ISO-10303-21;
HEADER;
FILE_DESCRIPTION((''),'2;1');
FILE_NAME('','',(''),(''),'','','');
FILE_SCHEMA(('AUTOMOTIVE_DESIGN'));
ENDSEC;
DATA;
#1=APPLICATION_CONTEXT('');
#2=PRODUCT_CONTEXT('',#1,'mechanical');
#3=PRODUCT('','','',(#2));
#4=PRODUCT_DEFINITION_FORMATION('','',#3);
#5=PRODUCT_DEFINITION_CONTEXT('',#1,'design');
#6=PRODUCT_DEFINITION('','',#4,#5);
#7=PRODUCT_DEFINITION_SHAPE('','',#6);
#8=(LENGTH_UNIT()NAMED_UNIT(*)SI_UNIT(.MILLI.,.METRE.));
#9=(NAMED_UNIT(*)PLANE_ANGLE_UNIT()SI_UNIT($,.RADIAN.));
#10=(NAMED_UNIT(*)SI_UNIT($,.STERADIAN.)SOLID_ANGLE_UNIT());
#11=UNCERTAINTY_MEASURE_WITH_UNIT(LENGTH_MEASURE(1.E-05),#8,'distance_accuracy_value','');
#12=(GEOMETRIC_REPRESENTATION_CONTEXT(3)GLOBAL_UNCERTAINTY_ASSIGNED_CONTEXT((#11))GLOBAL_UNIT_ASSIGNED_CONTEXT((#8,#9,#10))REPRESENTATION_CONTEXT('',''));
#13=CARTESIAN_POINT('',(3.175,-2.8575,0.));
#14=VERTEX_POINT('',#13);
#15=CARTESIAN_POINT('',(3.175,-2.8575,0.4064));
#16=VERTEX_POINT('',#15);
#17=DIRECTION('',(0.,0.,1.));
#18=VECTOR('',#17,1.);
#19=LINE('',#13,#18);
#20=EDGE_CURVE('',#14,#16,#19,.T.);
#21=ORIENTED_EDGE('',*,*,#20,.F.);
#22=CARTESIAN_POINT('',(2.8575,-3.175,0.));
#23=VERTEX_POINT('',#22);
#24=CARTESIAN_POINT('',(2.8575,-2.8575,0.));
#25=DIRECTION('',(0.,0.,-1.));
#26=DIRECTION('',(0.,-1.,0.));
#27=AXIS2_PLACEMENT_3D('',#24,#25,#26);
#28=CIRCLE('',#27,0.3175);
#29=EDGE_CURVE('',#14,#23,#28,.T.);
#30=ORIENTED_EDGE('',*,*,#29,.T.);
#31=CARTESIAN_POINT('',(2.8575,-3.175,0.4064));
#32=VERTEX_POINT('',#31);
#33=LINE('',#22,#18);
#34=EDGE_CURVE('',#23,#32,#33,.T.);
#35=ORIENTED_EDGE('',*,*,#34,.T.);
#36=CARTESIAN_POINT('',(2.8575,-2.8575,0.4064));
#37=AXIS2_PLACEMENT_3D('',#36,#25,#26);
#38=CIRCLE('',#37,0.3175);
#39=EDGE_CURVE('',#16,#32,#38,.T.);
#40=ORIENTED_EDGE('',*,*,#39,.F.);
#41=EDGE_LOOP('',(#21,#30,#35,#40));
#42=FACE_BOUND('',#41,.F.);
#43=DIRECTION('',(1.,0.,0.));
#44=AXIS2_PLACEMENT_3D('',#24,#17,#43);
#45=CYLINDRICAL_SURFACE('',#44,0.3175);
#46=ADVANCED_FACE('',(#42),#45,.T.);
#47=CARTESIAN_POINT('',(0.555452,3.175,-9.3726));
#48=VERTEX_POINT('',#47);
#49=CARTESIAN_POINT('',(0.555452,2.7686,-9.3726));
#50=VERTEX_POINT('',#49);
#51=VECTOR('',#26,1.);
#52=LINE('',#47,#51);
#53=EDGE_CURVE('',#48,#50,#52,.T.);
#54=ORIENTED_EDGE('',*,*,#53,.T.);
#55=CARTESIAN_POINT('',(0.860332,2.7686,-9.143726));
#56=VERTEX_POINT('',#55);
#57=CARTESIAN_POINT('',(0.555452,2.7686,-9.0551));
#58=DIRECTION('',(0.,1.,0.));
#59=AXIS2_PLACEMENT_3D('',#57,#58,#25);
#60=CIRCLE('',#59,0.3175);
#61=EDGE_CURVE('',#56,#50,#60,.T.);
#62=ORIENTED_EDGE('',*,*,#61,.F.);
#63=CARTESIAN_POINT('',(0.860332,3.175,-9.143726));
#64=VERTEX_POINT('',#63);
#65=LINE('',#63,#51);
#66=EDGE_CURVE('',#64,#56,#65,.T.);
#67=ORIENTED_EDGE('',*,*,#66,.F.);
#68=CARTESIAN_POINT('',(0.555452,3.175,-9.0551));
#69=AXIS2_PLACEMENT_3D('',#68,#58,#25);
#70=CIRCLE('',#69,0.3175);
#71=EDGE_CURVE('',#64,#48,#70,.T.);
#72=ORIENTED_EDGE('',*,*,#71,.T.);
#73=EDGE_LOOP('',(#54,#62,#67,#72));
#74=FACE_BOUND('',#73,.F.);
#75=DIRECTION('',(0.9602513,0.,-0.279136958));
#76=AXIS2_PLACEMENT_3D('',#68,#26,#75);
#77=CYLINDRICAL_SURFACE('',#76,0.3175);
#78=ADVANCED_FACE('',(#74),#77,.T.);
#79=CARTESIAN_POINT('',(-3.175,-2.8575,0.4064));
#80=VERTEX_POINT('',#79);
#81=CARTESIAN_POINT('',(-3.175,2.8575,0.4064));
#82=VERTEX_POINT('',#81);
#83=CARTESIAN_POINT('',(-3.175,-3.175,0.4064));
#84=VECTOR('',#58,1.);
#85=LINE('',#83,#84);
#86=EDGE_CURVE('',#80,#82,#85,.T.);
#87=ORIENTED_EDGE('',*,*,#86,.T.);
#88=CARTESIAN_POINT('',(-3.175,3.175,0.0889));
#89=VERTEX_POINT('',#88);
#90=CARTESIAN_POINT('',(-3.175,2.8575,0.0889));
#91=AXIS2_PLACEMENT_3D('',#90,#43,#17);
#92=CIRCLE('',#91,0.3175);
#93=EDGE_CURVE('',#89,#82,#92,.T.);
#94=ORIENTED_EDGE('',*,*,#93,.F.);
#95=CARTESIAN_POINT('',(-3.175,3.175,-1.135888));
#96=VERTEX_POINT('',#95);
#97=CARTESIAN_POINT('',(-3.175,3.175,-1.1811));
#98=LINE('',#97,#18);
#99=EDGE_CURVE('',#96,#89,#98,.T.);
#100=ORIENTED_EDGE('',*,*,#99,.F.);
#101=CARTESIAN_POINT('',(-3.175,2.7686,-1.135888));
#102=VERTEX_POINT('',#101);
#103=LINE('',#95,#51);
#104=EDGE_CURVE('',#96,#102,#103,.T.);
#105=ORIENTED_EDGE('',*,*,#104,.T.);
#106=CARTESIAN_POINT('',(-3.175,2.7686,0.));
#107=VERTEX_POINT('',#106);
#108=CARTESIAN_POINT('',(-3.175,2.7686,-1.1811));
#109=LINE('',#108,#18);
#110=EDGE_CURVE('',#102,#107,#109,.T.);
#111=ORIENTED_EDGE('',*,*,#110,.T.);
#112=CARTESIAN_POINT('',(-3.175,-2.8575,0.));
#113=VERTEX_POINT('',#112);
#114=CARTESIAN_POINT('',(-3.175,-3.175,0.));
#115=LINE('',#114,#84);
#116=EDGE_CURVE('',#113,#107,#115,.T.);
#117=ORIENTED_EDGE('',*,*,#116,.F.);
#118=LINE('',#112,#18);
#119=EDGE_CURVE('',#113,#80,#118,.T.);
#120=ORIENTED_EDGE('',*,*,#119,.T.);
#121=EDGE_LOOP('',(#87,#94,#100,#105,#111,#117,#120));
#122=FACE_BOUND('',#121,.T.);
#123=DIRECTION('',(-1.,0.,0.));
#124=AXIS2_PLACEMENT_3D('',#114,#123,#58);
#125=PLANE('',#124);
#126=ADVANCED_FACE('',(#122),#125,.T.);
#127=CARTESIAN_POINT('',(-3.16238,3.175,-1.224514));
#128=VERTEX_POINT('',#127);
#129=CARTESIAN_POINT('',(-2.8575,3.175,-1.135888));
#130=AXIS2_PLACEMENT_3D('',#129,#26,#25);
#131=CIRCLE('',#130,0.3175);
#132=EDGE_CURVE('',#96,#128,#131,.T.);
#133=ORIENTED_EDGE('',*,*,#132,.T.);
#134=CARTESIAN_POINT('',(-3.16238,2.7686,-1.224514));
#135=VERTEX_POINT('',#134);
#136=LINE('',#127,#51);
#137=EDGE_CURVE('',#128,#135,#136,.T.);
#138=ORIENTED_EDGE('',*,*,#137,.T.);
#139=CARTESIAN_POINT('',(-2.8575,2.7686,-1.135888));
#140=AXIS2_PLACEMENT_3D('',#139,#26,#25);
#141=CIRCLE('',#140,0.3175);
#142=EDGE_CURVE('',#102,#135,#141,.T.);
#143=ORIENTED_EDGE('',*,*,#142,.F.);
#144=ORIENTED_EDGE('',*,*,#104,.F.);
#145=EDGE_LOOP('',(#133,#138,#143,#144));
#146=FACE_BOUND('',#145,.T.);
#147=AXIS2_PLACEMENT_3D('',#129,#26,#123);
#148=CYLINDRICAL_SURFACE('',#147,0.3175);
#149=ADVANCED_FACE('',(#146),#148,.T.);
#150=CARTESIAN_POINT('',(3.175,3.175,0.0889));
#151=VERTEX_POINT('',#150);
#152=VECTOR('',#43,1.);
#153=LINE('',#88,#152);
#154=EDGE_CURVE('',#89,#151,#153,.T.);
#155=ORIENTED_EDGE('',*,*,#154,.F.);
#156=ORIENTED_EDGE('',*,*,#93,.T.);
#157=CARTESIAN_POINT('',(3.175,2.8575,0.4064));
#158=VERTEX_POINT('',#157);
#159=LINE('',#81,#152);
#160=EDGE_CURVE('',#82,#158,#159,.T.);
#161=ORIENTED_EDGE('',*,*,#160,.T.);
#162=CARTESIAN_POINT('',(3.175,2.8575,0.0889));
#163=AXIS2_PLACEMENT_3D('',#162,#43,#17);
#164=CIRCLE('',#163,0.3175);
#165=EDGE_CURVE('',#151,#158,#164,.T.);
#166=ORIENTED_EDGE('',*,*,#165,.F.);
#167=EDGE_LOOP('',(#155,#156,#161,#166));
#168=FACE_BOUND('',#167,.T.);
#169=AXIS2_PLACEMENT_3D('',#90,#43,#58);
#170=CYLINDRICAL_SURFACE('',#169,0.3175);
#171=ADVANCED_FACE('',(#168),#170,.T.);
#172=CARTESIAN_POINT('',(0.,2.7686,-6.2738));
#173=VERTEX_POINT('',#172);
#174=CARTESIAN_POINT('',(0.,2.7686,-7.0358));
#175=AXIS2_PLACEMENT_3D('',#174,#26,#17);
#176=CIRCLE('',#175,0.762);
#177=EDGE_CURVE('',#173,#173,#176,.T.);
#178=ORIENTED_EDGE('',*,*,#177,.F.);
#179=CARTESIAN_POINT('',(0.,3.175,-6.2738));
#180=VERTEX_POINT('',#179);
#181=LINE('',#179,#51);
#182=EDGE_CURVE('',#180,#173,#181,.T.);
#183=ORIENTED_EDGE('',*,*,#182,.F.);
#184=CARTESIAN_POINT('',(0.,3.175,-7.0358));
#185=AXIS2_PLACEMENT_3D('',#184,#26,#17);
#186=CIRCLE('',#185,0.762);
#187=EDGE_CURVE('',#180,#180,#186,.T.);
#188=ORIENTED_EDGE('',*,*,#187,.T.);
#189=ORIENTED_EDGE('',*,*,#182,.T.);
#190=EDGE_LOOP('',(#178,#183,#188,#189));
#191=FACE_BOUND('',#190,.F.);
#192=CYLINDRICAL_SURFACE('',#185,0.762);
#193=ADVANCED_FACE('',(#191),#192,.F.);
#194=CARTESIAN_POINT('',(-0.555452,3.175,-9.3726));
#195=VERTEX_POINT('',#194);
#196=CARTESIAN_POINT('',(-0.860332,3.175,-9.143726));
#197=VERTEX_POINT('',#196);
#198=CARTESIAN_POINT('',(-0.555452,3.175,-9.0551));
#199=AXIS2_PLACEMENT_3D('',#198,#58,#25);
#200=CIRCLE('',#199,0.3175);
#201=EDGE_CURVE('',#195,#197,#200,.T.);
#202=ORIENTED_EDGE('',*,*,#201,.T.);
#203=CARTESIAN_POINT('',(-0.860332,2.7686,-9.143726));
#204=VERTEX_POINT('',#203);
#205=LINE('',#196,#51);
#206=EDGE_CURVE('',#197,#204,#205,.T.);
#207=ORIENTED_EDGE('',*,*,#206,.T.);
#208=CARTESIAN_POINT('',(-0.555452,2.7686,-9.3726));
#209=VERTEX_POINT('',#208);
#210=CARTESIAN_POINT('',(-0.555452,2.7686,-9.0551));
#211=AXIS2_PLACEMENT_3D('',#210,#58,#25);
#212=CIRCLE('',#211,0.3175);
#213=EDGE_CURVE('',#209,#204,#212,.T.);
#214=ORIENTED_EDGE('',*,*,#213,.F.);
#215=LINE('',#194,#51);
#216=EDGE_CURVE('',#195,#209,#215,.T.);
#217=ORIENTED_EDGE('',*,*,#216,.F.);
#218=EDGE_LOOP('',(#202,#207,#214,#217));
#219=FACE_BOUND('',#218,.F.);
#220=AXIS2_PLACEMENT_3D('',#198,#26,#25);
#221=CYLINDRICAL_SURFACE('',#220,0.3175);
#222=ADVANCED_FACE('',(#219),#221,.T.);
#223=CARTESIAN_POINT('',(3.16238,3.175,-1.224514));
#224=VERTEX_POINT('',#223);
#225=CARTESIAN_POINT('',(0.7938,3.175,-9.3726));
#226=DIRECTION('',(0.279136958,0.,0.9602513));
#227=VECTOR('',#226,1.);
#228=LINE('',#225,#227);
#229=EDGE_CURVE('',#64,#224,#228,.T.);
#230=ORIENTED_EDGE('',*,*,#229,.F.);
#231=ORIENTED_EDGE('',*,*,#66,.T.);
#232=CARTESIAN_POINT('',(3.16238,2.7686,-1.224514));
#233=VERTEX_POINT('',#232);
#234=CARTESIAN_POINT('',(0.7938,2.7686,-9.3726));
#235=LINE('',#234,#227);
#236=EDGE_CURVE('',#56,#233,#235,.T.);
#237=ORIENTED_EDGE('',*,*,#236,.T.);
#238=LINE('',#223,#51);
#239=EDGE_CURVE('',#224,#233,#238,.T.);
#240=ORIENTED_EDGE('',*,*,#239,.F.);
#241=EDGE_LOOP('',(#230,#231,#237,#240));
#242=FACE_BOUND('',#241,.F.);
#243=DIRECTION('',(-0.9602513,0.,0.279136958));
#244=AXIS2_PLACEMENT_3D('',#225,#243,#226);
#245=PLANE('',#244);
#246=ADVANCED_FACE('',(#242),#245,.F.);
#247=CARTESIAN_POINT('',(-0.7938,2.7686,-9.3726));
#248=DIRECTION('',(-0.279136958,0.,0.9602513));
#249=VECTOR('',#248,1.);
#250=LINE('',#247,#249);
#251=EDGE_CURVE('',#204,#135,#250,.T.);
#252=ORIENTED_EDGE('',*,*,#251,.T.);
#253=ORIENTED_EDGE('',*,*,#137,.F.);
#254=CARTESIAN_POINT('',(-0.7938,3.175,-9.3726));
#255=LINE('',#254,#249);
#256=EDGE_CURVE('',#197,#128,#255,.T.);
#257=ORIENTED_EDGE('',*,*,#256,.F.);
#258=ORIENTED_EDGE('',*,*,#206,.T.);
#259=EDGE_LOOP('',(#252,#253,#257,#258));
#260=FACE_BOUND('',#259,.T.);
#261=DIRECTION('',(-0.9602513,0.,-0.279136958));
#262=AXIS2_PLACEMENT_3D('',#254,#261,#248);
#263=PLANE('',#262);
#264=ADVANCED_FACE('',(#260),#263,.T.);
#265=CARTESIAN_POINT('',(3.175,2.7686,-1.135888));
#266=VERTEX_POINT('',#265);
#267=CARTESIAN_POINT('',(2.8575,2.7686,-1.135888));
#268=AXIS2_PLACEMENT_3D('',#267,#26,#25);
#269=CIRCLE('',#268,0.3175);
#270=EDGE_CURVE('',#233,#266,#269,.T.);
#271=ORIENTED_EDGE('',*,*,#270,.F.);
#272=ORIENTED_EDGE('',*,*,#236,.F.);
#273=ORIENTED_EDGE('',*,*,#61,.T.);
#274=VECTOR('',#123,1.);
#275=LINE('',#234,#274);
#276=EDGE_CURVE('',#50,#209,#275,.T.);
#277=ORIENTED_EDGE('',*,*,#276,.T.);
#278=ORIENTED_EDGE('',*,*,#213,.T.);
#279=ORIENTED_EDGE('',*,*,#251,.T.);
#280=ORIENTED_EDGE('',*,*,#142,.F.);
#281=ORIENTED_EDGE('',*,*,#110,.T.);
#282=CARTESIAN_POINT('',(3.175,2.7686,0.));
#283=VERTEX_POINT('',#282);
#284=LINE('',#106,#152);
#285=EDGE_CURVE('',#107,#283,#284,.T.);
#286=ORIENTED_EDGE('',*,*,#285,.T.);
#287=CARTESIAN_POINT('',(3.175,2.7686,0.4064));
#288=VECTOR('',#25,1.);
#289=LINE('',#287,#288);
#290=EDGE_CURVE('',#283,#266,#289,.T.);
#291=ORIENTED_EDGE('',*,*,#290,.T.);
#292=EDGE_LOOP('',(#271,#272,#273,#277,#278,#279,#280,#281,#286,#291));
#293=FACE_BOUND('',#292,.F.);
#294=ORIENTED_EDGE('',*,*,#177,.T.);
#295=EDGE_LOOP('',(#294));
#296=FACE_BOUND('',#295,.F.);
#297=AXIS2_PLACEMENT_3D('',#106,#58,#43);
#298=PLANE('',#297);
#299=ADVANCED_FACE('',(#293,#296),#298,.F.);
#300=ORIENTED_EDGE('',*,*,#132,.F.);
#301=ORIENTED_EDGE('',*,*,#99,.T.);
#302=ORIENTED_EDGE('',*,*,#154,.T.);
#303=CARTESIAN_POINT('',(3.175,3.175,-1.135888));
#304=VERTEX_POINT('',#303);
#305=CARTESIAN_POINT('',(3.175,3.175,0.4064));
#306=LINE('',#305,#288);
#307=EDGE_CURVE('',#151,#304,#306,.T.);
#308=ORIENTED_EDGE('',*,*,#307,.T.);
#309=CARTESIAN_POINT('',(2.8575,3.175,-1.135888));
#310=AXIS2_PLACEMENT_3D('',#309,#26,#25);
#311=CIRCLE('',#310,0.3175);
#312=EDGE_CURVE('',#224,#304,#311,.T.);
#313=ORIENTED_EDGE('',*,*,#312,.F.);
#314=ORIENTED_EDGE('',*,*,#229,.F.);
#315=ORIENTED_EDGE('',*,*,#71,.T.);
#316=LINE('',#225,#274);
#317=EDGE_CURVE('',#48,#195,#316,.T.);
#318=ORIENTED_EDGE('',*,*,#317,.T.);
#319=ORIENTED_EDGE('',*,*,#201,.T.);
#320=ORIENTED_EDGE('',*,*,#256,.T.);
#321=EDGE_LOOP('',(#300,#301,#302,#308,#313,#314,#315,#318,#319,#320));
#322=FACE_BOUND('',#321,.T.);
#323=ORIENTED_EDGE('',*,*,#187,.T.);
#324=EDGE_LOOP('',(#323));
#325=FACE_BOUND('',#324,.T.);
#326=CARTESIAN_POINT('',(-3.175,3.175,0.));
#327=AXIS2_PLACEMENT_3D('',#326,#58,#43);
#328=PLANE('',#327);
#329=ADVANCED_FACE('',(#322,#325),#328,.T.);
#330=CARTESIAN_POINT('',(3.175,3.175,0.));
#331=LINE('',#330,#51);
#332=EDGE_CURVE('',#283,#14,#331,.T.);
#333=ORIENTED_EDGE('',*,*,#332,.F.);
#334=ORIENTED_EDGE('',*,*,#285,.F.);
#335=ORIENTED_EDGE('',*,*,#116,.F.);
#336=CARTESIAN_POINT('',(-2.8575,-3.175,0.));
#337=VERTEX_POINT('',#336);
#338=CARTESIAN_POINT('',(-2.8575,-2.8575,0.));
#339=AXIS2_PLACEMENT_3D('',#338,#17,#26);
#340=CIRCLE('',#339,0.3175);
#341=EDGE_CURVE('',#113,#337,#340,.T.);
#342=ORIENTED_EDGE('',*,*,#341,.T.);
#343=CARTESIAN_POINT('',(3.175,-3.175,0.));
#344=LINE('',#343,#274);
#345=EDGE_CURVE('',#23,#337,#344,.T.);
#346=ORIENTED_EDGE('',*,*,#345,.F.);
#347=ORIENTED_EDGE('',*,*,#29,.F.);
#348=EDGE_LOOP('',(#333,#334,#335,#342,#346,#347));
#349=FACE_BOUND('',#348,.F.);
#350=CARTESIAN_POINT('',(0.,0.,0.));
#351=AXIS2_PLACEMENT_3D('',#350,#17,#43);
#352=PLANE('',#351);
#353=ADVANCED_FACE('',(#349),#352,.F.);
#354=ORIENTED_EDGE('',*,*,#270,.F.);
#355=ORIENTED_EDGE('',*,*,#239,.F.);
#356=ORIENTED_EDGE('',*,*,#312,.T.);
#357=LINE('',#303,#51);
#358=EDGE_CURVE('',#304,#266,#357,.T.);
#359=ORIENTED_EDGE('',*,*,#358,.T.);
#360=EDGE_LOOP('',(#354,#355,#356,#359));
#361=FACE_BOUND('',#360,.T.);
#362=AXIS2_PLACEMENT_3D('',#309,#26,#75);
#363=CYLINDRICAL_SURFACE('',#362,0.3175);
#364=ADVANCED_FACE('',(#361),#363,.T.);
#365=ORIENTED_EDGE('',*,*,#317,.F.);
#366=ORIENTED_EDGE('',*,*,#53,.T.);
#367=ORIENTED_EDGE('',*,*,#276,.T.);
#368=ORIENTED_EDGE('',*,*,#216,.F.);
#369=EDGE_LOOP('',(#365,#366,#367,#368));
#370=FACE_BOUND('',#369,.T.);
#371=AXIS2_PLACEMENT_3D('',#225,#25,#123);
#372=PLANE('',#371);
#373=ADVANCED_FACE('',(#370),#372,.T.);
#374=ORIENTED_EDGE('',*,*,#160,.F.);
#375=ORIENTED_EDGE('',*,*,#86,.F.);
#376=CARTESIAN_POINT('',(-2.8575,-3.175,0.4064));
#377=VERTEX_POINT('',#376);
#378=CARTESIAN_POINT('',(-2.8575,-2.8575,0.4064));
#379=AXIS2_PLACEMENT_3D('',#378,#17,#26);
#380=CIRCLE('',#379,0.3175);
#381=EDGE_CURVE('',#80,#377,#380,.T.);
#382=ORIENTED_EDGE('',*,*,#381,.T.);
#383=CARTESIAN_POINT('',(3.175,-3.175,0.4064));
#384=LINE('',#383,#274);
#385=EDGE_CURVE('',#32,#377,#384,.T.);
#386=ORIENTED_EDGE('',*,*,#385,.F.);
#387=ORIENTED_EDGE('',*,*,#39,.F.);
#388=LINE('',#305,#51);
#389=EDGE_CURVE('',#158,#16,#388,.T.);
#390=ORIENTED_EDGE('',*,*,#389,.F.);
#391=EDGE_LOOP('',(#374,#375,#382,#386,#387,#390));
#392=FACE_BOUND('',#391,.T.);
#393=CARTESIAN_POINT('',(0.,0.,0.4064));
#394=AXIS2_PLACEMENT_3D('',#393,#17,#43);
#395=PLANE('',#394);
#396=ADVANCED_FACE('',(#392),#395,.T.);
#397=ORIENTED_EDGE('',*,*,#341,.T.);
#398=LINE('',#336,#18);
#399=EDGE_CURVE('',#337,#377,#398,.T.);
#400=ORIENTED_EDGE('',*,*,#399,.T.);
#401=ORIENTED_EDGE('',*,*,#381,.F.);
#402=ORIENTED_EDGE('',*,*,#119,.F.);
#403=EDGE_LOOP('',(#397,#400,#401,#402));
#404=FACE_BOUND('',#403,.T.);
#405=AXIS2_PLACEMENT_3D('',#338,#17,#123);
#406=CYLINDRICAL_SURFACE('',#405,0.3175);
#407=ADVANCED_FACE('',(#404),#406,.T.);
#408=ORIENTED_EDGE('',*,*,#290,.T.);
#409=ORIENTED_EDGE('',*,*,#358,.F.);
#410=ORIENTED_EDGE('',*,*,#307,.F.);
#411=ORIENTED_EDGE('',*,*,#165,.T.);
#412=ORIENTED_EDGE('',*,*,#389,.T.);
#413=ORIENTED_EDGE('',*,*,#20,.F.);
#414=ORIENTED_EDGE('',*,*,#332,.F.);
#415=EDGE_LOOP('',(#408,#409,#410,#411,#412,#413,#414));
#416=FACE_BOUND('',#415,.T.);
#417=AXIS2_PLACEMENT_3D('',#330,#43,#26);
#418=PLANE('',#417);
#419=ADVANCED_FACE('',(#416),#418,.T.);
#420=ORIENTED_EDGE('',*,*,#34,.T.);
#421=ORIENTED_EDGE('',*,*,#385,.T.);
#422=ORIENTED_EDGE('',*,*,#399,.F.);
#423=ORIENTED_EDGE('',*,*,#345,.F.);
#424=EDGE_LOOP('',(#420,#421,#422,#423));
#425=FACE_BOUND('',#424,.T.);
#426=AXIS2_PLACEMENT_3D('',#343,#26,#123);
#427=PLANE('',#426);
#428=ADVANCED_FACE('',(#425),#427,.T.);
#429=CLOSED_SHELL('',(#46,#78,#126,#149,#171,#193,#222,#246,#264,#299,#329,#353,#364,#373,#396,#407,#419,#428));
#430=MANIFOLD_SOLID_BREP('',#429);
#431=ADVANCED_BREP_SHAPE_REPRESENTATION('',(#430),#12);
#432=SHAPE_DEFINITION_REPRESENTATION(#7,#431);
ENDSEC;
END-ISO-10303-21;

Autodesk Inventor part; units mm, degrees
ref_plane "YZ Plane" through (0, 0, 0) normal (1, 0, 0) x (0, 1, 0)
ref_plane "XZ Plane" through (0, 0, 0) normal (0, 1, 0) x (-1, 0, 0)
ref_plane "XY Plane" through (0, 0, 0) normal (0, 0, 1) x (1, 0, 0)
sketch "Sketch1" plane through (0, 0, 0) normal (0, 0, 1) x (1, 0, 0)
  line L0 (-3.175, 3.175) -> (3.175, 3.175)
  line L1 (3.175, 3.175) -> (3.175, -3.175)
  line L2 (3.175, -3.175) -> (-3.175, -3.175)
  line L3 (-3.175, -3.175) -> (-3.175, 3.175)
  point P0 (0, 0)
  dimension "d0" = 6.35
  dimension "d1" = 3.175
  dimension "d2" = 3.175
extrude "Extrusion1" add sketch "Sketch1" along normal blind 0.4064
sketch "Sketch2" plane through (-3.175, 3.175, 0) normal (0, 1, 0) x (1, 0, 0)
  line L0 (0, -0.4064) -> (6.35, -0.4064) projected
  line L1 (6.35, 0) -> (6.35, -0.4064) projected
  line L2 (0, 0) -> (6.35, 0) projected
  line L3 (0, 0) -> (0, -0.4064) projected
  line L4 (0, -0.4064) -> (6.35, -0.4064)
  line L5 (6.35, -0.4064) -> (6.35, 1.1811)
  line L6 (3.9688, 9.3726) -> (2.3812, 9.3726)
  line L7 (0, 1.1811) -> (0, -0.4064)
  line L8 (2.3812, 9.3726) -> (0, 1.1811)
  line L9 (3.9688, 9.3726) -> (6.35, 1.1811)
  point P0 (3.175, 0)
  dimension "d7" = 9.779
  dimension "d8" = 1.5875
  dimension "d9" = 1.5875
extrude "Extrusion2" add sketch "Sketch2" against normal blind 0.4064 contours L7 L8 L6 L9 L5 L2
fillet "Fillet1" radius 0.3175 1 edges at (0, 3.175, 0.4064)
fillet "Fillet2" radius 0.3175 2 edges at (-0.7938, 2.9718, -9.3726) (0.7938, 2.9718, -9.3726)
fillet "Fillet3" radius 0.3175 4 edges at (3.175, -3.175, 0.2032) (-3.175, -3.175, 0.2032) (3.175, 2.9718, -1.1811) (-3.175, 2.9718, -1.1811)
hole "Hole1" at (0, 3.175, -7.0358) direction (0, -1, 0) diameter 1.524 depth 25.4 tip angle 118
equation "\"d1\" = 0.5 * d0"
equation "\"d2\" = d1"
properties part number "Control_Horn"
